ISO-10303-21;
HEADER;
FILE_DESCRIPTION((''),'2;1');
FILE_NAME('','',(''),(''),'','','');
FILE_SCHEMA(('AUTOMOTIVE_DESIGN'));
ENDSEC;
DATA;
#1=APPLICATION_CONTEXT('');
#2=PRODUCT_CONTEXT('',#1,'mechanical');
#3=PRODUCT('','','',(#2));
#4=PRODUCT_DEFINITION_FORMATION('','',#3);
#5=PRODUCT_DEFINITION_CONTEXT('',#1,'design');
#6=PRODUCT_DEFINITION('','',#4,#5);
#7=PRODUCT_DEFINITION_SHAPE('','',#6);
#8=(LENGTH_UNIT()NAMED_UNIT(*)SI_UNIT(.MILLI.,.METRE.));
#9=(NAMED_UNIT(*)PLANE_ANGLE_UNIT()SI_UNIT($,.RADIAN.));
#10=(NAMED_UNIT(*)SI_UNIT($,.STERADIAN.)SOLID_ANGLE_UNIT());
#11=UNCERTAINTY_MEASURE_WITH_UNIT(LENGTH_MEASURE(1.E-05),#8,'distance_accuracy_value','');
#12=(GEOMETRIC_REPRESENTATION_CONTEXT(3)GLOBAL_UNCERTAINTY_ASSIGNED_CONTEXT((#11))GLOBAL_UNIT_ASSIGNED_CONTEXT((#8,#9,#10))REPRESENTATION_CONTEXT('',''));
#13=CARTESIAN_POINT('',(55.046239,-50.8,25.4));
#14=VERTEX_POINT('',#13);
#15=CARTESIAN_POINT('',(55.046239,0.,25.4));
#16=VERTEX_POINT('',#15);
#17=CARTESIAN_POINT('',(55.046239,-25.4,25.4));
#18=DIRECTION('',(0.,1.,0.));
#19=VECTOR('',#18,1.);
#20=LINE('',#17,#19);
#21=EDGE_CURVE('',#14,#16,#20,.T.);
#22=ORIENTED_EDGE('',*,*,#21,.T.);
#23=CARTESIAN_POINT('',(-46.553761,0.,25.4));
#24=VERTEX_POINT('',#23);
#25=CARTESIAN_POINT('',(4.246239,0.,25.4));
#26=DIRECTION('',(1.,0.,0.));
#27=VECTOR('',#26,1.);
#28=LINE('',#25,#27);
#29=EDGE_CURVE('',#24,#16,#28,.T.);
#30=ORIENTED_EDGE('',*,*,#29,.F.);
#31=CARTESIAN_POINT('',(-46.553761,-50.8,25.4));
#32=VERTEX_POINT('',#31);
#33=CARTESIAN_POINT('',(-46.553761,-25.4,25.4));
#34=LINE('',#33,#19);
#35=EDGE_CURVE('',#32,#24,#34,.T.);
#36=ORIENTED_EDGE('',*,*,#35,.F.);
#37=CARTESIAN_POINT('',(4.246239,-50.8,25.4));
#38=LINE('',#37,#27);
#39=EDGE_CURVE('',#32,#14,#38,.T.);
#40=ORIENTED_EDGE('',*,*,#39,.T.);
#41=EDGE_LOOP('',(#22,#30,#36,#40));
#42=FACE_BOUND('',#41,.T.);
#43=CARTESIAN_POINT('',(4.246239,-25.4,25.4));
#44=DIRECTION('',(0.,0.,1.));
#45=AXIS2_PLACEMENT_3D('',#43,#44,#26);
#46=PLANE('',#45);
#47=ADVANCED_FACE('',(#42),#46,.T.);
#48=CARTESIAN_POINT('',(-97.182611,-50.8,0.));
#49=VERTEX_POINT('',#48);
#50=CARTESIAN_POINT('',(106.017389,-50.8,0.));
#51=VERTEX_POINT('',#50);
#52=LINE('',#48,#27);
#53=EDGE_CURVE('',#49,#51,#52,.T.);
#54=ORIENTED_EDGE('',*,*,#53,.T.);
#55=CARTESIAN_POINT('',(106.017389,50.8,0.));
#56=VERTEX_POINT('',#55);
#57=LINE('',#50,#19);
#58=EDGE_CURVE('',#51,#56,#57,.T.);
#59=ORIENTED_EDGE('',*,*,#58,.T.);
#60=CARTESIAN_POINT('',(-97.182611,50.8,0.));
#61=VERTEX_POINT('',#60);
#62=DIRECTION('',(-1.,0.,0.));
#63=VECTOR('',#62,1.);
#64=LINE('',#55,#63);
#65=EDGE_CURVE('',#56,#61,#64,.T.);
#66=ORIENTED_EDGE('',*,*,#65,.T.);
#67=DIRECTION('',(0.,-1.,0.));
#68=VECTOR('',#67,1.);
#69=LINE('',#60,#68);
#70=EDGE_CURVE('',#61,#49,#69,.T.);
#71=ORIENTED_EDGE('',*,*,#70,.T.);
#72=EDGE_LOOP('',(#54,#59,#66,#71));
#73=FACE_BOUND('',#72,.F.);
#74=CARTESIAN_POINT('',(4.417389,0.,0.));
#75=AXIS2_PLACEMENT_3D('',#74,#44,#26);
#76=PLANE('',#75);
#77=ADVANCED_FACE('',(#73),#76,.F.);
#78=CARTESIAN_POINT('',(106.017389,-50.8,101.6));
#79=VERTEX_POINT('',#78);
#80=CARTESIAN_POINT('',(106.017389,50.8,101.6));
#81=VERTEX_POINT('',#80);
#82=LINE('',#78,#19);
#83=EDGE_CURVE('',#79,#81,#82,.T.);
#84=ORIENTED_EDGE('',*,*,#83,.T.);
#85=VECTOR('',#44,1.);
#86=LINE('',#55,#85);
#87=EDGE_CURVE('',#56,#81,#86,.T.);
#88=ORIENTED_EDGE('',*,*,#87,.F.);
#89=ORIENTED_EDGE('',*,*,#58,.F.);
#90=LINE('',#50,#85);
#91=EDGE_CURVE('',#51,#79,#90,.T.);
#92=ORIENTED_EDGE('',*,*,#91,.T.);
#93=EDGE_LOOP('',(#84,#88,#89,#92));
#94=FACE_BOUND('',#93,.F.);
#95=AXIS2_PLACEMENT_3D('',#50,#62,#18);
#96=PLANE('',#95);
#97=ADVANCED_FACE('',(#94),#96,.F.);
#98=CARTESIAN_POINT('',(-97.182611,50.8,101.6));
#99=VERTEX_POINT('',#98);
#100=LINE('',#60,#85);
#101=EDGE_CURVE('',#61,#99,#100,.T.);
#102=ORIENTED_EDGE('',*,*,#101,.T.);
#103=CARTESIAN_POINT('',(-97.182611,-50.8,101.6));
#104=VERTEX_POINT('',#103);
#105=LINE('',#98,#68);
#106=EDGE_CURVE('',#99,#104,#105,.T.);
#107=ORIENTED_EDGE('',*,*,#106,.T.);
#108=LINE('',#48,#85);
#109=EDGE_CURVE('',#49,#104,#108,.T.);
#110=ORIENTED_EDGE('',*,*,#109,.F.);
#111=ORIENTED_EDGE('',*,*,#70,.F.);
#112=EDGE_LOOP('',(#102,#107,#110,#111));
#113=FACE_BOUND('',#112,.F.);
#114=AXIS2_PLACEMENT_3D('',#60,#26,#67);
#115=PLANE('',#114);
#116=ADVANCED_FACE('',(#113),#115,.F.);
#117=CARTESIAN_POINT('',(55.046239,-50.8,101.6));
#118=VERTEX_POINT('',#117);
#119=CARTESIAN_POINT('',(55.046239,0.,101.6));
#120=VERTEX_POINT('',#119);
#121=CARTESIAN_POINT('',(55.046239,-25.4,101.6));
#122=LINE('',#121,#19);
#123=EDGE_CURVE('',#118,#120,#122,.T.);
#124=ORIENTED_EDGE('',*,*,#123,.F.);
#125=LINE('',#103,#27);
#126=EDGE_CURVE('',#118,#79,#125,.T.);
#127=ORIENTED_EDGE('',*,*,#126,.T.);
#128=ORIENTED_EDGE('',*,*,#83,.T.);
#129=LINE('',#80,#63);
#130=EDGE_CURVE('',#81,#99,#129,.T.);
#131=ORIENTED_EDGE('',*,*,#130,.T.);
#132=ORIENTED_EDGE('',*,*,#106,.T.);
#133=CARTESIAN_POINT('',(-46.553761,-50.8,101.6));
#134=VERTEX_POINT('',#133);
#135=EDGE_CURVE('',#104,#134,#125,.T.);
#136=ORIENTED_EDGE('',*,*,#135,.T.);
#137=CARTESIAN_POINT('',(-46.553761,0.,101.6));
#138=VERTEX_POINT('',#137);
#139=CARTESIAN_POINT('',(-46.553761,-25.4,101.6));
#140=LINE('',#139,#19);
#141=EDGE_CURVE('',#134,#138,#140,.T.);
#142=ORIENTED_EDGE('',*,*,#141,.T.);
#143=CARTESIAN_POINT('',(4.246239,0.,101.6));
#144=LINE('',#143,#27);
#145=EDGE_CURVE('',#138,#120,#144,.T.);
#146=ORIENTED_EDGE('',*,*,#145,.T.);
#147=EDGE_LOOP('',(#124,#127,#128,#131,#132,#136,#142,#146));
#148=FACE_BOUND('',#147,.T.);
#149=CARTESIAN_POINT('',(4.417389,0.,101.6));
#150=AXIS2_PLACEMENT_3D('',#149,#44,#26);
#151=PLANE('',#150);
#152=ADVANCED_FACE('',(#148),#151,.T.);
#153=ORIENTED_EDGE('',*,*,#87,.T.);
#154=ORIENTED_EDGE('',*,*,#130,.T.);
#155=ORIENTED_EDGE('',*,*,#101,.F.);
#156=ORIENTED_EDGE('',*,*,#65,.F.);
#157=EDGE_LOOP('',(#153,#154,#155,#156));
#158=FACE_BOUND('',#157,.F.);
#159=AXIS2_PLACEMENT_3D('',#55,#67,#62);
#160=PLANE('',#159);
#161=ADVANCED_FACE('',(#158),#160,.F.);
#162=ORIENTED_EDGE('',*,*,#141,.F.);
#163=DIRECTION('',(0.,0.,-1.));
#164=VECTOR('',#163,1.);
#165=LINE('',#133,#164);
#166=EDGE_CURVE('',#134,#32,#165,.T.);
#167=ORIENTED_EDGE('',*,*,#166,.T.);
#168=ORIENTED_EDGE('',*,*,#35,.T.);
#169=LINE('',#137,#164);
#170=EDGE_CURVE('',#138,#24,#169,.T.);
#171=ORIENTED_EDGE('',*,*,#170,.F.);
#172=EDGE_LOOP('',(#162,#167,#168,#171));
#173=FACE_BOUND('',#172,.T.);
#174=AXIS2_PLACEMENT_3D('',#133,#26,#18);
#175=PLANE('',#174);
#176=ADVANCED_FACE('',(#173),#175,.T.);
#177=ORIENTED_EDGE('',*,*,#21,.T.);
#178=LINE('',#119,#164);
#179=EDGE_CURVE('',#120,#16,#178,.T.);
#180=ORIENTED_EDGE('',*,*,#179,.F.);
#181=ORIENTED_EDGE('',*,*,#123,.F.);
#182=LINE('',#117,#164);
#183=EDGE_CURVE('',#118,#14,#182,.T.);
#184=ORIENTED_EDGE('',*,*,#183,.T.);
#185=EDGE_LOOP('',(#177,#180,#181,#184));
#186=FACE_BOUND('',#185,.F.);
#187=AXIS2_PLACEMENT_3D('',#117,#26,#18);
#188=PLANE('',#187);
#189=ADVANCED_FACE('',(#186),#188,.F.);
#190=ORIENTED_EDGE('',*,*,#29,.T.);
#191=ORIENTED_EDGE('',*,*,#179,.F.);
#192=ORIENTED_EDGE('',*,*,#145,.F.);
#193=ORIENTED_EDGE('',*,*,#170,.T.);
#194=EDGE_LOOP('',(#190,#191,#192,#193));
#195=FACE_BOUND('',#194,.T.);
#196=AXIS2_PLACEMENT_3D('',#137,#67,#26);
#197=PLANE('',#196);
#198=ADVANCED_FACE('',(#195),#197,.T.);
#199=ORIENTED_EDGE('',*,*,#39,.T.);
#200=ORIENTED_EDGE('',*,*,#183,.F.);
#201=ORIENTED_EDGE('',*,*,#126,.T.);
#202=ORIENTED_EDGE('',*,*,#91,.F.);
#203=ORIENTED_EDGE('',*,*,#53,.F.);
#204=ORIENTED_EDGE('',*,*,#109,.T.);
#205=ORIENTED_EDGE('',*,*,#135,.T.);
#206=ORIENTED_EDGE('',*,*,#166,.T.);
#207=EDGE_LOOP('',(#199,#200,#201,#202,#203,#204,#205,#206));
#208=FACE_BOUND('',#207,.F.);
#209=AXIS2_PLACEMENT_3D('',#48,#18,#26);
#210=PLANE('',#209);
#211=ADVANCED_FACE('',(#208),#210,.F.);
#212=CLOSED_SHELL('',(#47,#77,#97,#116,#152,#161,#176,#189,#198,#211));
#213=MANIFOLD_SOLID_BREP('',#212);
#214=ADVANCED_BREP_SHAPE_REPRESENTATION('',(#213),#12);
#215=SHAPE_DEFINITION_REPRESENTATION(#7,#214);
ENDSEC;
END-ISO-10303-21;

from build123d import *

# Parameters (mm, degrees)
F1_DEPTH = 101.6
F2_W     = 101.6
F2_H     = 50.8
F3_DEPTH = 76.2


with BuildPart() as f1:
    # F0 (on Top) → F1 (new body)
    with BuildSketch(Plane.XY):
        Polygon((106.017389, 50.8), (-97.182611, 50.8), (-97.182611, 0), (-97.182611, -50.8), (-46.382611, -50.8), (55.217389, -50.8), (106.017389, -50.8), (106.017389, 0), align=None)
    extrude(amount=F1_DEPTH)

    # F2 (on face) → F3 (cut)
    with BuildSketch(Plane.XY.offset(101.6)):
        with Locations((4.246239, -25.4)):
            Rectangle(F2_W, F2_H)
    extrude(amount=-F3_DEPTH, mode=Mode.SUBTRACT)


solid = f1.part
